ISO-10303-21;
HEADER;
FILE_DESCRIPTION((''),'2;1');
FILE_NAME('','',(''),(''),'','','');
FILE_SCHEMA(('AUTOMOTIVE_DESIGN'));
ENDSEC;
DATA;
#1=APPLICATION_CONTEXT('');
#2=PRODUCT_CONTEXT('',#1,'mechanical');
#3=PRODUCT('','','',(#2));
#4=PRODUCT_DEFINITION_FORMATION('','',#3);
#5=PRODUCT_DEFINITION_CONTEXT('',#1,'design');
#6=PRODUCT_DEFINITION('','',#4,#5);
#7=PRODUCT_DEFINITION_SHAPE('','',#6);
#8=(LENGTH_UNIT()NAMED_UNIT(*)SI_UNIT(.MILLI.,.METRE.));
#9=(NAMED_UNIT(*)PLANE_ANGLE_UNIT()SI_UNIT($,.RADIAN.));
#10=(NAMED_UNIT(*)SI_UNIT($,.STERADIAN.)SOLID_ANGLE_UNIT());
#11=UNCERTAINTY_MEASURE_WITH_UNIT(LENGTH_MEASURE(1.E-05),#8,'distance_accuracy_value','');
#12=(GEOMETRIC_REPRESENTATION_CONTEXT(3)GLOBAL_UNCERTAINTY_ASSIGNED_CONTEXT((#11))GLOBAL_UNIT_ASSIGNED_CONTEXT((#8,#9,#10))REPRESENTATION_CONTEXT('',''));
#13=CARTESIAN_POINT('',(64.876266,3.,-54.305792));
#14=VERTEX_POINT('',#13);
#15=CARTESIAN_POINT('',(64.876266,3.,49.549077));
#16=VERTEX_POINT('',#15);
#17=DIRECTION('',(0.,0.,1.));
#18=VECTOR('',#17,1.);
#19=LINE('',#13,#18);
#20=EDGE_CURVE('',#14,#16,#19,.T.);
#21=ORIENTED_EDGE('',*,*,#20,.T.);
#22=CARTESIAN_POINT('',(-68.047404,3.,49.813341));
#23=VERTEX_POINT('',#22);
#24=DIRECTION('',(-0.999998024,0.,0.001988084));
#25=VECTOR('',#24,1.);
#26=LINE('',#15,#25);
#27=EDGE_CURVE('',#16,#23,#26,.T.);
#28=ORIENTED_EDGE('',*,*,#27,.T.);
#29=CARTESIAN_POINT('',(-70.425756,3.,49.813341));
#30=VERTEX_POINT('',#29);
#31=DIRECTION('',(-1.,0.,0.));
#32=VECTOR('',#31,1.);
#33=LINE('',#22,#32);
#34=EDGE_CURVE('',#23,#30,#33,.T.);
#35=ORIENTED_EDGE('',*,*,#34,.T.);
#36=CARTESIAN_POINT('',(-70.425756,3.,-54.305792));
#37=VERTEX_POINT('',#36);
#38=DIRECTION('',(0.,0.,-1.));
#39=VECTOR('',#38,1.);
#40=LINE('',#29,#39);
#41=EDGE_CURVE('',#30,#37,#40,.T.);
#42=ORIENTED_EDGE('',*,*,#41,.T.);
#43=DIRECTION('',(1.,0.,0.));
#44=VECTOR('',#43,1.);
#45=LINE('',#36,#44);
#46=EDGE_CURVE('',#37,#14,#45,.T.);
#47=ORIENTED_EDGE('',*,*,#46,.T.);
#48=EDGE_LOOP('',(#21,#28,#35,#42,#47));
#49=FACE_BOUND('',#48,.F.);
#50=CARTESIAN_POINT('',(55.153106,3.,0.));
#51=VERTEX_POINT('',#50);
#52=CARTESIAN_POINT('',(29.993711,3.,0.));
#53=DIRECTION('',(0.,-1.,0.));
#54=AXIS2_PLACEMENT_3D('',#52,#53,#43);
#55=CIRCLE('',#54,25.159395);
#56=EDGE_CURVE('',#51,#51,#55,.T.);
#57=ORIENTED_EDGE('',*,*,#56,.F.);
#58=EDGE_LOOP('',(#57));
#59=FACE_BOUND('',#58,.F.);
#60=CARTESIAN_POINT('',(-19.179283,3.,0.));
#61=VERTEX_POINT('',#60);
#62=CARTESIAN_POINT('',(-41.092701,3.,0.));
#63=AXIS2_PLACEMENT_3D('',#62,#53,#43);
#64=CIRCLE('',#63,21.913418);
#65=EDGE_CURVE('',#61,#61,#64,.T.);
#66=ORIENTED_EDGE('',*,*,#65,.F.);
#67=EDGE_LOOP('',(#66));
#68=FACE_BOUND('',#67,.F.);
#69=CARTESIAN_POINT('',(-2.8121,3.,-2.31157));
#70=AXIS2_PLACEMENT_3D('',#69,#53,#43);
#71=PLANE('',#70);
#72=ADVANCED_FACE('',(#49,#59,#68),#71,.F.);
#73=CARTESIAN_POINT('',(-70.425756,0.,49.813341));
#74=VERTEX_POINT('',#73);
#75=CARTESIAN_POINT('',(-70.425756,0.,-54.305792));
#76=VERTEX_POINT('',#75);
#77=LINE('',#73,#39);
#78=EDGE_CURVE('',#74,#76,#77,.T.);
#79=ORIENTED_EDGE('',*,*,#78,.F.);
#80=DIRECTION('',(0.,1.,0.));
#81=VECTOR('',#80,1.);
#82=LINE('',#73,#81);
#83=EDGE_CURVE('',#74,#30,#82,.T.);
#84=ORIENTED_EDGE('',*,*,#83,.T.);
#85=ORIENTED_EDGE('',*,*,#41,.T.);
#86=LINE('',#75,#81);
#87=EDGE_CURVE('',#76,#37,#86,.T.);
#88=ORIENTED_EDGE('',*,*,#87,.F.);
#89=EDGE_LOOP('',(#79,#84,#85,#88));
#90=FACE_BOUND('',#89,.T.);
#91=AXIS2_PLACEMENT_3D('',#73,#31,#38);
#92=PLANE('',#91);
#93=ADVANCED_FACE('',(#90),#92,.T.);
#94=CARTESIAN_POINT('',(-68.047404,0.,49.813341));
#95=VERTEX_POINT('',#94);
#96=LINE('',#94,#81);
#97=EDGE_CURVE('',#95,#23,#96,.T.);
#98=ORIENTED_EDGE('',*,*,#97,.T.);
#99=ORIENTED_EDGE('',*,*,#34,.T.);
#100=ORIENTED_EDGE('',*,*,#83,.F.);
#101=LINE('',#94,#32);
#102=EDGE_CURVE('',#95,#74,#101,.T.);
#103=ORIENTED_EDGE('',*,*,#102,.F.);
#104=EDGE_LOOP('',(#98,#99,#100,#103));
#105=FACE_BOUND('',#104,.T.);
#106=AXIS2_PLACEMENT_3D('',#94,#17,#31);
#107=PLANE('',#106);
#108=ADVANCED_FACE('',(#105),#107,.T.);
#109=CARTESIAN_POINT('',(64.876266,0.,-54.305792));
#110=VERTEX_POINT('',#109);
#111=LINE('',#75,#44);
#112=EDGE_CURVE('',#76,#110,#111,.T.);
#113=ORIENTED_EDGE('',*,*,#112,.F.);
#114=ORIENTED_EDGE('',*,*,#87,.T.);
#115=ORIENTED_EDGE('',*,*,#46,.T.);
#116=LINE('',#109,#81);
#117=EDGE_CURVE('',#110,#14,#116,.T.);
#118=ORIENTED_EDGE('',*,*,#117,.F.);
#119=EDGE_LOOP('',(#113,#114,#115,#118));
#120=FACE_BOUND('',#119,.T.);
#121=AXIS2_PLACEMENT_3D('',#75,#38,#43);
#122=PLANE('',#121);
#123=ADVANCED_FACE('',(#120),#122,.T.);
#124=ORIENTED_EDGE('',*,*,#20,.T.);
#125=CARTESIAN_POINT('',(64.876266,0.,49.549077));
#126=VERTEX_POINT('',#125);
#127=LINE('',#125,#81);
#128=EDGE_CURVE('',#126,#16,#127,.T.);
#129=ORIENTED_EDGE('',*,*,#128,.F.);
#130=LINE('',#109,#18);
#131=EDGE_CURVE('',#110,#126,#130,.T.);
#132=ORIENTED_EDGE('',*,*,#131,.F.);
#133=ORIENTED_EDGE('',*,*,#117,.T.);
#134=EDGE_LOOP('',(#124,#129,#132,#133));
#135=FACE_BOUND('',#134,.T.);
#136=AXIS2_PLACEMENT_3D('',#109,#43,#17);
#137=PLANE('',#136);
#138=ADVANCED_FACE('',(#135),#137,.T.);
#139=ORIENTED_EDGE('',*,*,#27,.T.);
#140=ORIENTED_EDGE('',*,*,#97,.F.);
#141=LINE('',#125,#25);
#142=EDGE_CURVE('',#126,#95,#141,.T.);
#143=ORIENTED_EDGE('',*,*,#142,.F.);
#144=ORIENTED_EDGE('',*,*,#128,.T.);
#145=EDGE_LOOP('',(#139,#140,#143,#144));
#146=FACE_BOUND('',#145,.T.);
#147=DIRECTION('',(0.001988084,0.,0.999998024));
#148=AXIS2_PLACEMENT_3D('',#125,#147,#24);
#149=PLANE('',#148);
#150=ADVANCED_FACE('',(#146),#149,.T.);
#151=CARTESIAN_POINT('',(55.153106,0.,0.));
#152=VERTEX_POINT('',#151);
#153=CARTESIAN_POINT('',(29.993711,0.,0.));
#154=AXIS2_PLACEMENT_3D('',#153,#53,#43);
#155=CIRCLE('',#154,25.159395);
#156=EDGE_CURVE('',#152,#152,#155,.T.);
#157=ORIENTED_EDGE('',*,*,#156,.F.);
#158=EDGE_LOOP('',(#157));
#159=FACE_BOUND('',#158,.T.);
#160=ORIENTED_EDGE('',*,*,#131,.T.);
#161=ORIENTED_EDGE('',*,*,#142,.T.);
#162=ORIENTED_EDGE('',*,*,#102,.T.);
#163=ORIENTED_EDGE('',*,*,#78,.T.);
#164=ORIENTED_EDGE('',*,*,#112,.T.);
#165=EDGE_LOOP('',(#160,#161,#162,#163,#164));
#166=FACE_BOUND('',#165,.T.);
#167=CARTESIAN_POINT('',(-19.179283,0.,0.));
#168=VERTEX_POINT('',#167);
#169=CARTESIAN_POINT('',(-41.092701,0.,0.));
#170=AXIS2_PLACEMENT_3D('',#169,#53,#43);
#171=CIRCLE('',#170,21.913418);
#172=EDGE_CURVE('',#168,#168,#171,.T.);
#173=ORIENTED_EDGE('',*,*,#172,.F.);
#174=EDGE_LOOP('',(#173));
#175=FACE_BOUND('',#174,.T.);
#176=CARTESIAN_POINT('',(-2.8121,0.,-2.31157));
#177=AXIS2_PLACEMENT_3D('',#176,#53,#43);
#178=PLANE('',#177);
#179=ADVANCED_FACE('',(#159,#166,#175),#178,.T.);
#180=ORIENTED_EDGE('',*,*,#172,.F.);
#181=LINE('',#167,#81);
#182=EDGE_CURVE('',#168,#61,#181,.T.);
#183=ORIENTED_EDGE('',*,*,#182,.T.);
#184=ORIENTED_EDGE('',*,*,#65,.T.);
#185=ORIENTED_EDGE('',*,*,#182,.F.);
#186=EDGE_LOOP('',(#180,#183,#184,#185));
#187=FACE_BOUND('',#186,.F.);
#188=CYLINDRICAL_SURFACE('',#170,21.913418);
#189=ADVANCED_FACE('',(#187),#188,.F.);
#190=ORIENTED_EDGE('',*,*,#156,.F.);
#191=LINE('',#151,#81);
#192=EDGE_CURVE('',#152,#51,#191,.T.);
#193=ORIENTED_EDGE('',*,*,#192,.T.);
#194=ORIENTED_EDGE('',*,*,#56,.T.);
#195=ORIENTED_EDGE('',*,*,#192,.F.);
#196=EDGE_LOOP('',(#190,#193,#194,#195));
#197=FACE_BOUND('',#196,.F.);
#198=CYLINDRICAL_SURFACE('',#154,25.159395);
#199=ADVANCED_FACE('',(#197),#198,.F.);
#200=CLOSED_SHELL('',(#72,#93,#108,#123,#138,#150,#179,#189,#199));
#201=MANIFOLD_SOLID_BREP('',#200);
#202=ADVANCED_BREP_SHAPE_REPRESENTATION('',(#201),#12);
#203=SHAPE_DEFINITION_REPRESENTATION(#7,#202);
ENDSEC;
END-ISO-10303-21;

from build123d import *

# Parameters (mm, degrees)
F0_R     = 21.913418
F0_R_2   = 25.159395
F1_DEPTH = 3


with BuildPart() as f1:
    # F0 (on Front) → F1 (new body)
    with BuildSketch(Plane.XZ):
        Polygon((-68.047404, 49.813341), (-70.425756, 49.813341), (-70.425756, -54.305792), (64.876266, -54.305792), (64.876266, 49.549077), align=None)
        with Locations((-41.092701, 0)):
            Circle(F0_R, mode=Mode.SUBTRACT)
        with Locations((29.993711, 0)):
            Circle(F0_R_2, mode=Mode.SUBTRACT)
    extrude(amount=-F1_DEPTH)


solid = f1.part
